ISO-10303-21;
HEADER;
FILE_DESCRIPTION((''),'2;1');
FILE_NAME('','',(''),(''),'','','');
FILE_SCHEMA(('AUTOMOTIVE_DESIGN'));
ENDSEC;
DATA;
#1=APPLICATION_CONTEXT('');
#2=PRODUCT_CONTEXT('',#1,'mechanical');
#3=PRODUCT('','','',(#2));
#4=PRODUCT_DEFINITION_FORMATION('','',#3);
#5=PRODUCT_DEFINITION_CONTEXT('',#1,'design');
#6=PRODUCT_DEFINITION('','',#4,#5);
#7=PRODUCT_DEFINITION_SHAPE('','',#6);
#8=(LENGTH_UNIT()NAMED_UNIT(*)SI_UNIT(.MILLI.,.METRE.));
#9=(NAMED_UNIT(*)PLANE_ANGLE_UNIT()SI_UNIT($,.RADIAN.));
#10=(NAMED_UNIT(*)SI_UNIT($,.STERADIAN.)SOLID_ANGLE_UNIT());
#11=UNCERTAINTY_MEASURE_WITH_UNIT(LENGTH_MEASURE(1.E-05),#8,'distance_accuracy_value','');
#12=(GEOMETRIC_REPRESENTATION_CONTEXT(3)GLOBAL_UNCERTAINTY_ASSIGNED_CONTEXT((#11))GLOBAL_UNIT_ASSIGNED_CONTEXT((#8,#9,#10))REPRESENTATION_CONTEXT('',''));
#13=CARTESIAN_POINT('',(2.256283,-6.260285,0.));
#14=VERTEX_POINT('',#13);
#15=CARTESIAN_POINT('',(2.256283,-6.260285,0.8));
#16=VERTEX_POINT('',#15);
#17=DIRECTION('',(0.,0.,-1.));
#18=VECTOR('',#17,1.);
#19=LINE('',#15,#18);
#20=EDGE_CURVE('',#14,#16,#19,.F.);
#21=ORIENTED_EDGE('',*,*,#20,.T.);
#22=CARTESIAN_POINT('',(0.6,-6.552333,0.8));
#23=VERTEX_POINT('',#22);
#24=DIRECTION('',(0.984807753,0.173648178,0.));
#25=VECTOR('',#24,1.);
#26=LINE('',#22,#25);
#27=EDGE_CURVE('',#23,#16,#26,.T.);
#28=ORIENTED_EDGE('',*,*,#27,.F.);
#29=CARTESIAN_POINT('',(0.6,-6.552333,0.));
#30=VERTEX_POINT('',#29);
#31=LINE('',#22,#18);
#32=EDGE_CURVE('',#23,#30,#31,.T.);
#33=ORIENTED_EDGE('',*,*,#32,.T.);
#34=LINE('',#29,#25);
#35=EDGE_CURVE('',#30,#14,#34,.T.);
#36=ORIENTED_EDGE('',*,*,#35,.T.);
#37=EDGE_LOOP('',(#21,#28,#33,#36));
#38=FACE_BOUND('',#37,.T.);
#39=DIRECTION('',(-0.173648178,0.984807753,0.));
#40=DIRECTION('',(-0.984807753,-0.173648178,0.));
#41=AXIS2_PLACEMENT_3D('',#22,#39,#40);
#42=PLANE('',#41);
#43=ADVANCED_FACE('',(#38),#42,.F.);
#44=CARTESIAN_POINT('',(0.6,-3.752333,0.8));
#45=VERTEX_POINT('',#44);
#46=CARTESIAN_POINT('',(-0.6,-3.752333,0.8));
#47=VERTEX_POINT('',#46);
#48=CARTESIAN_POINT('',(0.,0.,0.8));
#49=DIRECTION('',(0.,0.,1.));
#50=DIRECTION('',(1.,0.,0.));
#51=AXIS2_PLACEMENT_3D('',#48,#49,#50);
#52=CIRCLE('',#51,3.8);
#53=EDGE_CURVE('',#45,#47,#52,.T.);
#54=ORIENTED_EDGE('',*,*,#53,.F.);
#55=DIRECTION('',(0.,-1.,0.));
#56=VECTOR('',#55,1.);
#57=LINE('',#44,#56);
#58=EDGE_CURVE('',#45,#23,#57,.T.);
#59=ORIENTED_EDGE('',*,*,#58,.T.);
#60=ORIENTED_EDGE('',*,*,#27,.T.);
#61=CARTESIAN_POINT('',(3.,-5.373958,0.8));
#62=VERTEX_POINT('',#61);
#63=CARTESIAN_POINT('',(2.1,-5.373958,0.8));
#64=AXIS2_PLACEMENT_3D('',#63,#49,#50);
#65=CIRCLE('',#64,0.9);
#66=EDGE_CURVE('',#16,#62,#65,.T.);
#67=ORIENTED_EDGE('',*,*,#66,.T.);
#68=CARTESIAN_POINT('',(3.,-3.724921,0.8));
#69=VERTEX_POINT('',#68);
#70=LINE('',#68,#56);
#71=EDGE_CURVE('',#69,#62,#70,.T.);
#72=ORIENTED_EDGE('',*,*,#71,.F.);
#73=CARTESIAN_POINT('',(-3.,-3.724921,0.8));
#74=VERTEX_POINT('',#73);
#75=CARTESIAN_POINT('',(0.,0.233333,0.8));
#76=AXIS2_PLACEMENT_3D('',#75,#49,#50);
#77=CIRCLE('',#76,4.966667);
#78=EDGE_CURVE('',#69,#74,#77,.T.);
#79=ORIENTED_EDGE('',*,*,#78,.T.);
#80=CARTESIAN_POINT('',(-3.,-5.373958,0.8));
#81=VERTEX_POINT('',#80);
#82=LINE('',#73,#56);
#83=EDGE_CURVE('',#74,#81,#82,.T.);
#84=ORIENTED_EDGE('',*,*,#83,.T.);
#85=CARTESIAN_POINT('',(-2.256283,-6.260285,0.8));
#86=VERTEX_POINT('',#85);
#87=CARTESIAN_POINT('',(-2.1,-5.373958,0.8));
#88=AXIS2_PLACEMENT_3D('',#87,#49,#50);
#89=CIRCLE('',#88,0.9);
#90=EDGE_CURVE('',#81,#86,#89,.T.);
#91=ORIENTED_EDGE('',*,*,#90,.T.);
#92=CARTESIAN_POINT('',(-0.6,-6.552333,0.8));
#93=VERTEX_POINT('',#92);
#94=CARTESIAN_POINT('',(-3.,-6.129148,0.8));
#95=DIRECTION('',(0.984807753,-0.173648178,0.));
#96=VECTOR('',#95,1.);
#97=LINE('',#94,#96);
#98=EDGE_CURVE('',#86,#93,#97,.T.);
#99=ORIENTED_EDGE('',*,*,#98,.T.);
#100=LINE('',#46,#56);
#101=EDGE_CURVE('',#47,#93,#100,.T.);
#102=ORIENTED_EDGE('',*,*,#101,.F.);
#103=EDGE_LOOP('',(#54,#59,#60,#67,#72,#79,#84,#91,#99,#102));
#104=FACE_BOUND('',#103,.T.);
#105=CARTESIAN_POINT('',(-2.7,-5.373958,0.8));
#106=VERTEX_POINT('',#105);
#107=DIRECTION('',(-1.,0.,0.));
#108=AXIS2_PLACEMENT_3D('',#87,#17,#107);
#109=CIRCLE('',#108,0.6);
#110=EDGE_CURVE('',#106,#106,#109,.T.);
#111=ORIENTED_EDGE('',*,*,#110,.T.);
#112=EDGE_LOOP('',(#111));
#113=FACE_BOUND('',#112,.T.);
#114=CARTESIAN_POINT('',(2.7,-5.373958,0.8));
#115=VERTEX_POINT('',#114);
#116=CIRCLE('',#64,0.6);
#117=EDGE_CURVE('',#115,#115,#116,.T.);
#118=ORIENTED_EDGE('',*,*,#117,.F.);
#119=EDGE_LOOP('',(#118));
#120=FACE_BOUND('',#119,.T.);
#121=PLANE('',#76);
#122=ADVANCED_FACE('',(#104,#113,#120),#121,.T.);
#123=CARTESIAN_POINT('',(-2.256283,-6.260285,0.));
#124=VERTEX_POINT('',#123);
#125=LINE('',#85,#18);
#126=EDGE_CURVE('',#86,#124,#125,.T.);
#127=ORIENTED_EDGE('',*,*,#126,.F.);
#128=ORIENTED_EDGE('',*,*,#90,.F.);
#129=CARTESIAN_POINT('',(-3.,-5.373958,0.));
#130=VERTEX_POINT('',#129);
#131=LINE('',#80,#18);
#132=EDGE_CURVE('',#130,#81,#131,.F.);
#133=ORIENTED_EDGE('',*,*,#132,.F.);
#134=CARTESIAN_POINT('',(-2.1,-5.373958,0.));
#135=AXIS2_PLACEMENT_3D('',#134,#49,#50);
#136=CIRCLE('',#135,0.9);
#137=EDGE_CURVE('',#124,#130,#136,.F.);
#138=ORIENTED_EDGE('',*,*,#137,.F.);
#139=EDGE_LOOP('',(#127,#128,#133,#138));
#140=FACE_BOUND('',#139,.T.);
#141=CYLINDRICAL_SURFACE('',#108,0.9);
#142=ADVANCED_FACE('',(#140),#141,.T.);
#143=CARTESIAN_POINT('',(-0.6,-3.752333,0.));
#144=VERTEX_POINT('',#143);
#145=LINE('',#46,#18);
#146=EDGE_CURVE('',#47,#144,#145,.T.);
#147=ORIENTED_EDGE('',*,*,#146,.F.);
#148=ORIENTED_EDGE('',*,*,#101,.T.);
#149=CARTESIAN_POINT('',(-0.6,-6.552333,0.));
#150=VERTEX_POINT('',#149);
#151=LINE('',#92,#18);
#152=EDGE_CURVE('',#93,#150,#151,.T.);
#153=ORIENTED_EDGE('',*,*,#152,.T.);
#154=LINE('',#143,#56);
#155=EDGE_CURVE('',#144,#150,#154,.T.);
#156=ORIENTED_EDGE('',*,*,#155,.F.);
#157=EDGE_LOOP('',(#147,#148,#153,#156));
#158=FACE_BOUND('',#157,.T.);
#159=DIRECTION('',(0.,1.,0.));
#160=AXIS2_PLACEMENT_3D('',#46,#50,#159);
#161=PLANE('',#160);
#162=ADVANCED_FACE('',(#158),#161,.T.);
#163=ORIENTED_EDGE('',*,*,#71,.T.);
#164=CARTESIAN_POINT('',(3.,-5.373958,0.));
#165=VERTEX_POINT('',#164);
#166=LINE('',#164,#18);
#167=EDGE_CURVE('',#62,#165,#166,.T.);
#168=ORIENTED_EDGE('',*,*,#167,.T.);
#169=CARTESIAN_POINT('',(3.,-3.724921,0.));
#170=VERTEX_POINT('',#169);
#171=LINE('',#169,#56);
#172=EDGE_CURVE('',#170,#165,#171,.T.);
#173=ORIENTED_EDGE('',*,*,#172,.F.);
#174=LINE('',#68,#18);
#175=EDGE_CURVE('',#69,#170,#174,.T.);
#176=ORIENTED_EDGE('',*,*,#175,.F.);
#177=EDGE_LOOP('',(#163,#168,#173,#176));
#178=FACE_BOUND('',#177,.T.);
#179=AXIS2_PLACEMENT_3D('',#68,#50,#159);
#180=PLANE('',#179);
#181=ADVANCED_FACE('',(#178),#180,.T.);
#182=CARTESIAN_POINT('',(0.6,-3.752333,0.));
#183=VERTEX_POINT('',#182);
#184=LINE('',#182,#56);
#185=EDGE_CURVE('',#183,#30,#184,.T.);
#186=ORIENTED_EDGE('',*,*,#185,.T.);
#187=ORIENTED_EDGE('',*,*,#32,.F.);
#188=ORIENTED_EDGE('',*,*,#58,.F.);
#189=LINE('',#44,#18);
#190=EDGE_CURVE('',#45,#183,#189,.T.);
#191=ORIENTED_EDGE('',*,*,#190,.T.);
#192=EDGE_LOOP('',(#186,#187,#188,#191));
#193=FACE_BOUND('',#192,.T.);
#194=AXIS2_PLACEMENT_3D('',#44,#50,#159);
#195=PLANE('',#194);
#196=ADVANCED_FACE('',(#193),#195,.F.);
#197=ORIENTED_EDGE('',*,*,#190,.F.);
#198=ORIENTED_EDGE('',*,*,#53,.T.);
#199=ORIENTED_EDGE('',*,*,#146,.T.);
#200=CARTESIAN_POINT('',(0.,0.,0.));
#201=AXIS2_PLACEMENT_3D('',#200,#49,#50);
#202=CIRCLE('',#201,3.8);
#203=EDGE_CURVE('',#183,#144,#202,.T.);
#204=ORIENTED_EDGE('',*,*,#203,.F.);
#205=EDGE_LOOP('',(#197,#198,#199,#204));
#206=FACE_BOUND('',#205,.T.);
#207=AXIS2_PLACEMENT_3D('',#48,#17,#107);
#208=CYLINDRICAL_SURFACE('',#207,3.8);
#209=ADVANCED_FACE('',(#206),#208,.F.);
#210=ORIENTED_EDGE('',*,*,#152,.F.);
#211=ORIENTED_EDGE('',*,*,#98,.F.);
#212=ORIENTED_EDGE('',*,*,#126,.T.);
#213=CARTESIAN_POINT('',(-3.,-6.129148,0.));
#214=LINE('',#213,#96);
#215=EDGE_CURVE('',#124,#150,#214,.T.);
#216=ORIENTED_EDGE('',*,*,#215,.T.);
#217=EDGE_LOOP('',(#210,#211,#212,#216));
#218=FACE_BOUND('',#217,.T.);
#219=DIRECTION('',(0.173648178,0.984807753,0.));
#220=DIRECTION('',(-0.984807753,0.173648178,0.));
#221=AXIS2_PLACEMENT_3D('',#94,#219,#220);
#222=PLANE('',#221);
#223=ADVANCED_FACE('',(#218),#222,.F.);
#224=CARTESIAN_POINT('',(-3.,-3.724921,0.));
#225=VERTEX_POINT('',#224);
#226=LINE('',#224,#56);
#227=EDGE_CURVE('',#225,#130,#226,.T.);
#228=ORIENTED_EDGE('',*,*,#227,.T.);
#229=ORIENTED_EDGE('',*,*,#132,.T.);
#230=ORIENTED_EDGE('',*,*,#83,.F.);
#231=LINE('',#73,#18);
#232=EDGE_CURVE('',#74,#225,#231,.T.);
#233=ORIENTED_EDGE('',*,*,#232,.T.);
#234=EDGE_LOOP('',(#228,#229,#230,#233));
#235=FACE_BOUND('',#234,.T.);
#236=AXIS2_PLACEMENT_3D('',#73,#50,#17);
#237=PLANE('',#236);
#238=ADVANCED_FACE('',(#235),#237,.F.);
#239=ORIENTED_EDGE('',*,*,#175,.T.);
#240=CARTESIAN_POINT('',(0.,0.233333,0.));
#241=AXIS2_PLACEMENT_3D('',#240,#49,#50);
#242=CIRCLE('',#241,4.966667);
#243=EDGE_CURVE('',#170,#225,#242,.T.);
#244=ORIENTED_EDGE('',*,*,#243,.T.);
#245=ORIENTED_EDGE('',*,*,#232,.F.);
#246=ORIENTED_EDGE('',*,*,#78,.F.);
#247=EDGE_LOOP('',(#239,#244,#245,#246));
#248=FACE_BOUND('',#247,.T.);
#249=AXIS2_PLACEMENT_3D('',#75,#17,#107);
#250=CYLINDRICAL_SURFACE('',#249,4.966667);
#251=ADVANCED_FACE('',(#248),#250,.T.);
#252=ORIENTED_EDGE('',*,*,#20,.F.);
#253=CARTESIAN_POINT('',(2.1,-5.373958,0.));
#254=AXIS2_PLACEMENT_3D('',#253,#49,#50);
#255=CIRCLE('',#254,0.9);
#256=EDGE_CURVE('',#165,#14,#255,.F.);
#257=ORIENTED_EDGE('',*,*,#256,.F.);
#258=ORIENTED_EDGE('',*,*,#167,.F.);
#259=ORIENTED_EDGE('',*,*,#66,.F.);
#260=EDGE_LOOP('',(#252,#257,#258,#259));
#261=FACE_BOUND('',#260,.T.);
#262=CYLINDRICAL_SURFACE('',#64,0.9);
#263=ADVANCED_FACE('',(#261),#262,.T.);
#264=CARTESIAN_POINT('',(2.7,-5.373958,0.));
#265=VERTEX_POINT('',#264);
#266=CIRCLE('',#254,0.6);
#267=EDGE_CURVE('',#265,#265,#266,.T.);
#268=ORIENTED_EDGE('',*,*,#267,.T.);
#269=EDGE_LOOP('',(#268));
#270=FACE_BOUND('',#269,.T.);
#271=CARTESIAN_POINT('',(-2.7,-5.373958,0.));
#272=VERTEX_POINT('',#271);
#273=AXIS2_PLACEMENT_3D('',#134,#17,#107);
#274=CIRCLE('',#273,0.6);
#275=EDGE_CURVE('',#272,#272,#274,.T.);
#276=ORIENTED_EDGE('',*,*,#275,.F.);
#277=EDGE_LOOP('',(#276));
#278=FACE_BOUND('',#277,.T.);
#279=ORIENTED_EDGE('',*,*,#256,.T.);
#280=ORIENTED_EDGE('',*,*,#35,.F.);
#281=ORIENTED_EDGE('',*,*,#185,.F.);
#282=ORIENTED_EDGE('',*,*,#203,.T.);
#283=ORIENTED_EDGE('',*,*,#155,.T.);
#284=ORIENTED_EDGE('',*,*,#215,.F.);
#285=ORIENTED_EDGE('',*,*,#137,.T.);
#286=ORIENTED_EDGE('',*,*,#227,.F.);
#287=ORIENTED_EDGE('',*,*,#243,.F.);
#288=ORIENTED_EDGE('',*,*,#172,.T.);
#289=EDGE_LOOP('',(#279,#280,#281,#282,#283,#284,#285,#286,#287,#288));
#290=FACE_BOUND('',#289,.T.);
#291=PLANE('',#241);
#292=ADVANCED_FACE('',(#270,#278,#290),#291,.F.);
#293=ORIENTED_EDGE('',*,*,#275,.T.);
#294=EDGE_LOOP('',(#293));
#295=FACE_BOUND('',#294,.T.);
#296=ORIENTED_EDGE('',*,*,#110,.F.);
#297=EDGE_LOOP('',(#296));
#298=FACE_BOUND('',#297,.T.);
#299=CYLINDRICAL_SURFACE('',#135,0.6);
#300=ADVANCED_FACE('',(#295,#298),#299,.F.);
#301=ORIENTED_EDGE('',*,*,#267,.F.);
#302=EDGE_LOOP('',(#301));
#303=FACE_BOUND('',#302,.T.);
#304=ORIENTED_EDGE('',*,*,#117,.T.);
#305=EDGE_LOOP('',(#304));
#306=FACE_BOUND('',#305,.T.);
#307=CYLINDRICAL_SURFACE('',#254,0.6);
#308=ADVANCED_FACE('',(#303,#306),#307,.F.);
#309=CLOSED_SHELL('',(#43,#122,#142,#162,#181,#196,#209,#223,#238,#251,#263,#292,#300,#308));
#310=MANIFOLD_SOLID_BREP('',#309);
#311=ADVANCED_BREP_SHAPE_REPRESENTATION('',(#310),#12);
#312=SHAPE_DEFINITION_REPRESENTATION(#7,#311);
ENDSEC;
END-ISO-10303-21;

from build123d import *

# Parameters (mm, degrees)
BASE_EXTRUDE_DEPTH = 0.8
FILLET1_R          = 0.9
SKETCH2_R          = 0.6
CUT_EXTRUDE1_DEPTH = 9.260801437


with BuildPart() as part:
    # Sketch1 → Base-Extrude (new body)
    with BuildSketch(Plane.XY):
        with BuildLine():
            Line((-0.6, -3.752332608), (-0.6, -6.552332608))
            Line((-0.6, -6.552332608), (-3, -6.129147854))
            Line((-3, -6.129147854), (-3, -3.724921052))
            ThreePointArc((-3, -3.724921052), (0, 5.2), (3, -3.724921052))
            Line((3, -3.724921052), (3, -6.129147854))
            Line((3, -6.129147854), (0.6, -6.552332608))
            Line((0.6, -6.552332608), (0.6, -3.752332608))
            ThreePointArc((0.6, -3.752332608), (0, 3.8), (-0.6, -3.752332608))
        make_face()
    extrude(amount=BASE_EXTRUDE_DEPTH)

    # Fillet1
    fillet1_edges = [part.edges().sort_by_distance(p)[0] for p in [
        (3, -6.129147854, 0.4),
        (-3, -6.129147854, 0.4),
    ]]
    fillet(fillet1_edges, radius=FILLET1_R)

    # Sketch2 → Cut-Extrude1 (cut, through all)
    with BuildSketch(Plane.XY.offset(0.8)):
        with Locations((2.1, -5.373958186)):
            Circle(SKETCH2_R)
    cut_extrude1 = extrude(amount=-CUT_EXTRUDE1_DEPTH, mode=Mode.SUBTRACT)

    # Mirror1: Cut-Extrude1 across plane
    add(cut_extrude1.mirror(Plane(origin=(0, 0, 0), x_dir=(0, 0, 1), z_dir=(1, 0, 0))), mode=Mode.SUBTRACT)


solid = part.part
